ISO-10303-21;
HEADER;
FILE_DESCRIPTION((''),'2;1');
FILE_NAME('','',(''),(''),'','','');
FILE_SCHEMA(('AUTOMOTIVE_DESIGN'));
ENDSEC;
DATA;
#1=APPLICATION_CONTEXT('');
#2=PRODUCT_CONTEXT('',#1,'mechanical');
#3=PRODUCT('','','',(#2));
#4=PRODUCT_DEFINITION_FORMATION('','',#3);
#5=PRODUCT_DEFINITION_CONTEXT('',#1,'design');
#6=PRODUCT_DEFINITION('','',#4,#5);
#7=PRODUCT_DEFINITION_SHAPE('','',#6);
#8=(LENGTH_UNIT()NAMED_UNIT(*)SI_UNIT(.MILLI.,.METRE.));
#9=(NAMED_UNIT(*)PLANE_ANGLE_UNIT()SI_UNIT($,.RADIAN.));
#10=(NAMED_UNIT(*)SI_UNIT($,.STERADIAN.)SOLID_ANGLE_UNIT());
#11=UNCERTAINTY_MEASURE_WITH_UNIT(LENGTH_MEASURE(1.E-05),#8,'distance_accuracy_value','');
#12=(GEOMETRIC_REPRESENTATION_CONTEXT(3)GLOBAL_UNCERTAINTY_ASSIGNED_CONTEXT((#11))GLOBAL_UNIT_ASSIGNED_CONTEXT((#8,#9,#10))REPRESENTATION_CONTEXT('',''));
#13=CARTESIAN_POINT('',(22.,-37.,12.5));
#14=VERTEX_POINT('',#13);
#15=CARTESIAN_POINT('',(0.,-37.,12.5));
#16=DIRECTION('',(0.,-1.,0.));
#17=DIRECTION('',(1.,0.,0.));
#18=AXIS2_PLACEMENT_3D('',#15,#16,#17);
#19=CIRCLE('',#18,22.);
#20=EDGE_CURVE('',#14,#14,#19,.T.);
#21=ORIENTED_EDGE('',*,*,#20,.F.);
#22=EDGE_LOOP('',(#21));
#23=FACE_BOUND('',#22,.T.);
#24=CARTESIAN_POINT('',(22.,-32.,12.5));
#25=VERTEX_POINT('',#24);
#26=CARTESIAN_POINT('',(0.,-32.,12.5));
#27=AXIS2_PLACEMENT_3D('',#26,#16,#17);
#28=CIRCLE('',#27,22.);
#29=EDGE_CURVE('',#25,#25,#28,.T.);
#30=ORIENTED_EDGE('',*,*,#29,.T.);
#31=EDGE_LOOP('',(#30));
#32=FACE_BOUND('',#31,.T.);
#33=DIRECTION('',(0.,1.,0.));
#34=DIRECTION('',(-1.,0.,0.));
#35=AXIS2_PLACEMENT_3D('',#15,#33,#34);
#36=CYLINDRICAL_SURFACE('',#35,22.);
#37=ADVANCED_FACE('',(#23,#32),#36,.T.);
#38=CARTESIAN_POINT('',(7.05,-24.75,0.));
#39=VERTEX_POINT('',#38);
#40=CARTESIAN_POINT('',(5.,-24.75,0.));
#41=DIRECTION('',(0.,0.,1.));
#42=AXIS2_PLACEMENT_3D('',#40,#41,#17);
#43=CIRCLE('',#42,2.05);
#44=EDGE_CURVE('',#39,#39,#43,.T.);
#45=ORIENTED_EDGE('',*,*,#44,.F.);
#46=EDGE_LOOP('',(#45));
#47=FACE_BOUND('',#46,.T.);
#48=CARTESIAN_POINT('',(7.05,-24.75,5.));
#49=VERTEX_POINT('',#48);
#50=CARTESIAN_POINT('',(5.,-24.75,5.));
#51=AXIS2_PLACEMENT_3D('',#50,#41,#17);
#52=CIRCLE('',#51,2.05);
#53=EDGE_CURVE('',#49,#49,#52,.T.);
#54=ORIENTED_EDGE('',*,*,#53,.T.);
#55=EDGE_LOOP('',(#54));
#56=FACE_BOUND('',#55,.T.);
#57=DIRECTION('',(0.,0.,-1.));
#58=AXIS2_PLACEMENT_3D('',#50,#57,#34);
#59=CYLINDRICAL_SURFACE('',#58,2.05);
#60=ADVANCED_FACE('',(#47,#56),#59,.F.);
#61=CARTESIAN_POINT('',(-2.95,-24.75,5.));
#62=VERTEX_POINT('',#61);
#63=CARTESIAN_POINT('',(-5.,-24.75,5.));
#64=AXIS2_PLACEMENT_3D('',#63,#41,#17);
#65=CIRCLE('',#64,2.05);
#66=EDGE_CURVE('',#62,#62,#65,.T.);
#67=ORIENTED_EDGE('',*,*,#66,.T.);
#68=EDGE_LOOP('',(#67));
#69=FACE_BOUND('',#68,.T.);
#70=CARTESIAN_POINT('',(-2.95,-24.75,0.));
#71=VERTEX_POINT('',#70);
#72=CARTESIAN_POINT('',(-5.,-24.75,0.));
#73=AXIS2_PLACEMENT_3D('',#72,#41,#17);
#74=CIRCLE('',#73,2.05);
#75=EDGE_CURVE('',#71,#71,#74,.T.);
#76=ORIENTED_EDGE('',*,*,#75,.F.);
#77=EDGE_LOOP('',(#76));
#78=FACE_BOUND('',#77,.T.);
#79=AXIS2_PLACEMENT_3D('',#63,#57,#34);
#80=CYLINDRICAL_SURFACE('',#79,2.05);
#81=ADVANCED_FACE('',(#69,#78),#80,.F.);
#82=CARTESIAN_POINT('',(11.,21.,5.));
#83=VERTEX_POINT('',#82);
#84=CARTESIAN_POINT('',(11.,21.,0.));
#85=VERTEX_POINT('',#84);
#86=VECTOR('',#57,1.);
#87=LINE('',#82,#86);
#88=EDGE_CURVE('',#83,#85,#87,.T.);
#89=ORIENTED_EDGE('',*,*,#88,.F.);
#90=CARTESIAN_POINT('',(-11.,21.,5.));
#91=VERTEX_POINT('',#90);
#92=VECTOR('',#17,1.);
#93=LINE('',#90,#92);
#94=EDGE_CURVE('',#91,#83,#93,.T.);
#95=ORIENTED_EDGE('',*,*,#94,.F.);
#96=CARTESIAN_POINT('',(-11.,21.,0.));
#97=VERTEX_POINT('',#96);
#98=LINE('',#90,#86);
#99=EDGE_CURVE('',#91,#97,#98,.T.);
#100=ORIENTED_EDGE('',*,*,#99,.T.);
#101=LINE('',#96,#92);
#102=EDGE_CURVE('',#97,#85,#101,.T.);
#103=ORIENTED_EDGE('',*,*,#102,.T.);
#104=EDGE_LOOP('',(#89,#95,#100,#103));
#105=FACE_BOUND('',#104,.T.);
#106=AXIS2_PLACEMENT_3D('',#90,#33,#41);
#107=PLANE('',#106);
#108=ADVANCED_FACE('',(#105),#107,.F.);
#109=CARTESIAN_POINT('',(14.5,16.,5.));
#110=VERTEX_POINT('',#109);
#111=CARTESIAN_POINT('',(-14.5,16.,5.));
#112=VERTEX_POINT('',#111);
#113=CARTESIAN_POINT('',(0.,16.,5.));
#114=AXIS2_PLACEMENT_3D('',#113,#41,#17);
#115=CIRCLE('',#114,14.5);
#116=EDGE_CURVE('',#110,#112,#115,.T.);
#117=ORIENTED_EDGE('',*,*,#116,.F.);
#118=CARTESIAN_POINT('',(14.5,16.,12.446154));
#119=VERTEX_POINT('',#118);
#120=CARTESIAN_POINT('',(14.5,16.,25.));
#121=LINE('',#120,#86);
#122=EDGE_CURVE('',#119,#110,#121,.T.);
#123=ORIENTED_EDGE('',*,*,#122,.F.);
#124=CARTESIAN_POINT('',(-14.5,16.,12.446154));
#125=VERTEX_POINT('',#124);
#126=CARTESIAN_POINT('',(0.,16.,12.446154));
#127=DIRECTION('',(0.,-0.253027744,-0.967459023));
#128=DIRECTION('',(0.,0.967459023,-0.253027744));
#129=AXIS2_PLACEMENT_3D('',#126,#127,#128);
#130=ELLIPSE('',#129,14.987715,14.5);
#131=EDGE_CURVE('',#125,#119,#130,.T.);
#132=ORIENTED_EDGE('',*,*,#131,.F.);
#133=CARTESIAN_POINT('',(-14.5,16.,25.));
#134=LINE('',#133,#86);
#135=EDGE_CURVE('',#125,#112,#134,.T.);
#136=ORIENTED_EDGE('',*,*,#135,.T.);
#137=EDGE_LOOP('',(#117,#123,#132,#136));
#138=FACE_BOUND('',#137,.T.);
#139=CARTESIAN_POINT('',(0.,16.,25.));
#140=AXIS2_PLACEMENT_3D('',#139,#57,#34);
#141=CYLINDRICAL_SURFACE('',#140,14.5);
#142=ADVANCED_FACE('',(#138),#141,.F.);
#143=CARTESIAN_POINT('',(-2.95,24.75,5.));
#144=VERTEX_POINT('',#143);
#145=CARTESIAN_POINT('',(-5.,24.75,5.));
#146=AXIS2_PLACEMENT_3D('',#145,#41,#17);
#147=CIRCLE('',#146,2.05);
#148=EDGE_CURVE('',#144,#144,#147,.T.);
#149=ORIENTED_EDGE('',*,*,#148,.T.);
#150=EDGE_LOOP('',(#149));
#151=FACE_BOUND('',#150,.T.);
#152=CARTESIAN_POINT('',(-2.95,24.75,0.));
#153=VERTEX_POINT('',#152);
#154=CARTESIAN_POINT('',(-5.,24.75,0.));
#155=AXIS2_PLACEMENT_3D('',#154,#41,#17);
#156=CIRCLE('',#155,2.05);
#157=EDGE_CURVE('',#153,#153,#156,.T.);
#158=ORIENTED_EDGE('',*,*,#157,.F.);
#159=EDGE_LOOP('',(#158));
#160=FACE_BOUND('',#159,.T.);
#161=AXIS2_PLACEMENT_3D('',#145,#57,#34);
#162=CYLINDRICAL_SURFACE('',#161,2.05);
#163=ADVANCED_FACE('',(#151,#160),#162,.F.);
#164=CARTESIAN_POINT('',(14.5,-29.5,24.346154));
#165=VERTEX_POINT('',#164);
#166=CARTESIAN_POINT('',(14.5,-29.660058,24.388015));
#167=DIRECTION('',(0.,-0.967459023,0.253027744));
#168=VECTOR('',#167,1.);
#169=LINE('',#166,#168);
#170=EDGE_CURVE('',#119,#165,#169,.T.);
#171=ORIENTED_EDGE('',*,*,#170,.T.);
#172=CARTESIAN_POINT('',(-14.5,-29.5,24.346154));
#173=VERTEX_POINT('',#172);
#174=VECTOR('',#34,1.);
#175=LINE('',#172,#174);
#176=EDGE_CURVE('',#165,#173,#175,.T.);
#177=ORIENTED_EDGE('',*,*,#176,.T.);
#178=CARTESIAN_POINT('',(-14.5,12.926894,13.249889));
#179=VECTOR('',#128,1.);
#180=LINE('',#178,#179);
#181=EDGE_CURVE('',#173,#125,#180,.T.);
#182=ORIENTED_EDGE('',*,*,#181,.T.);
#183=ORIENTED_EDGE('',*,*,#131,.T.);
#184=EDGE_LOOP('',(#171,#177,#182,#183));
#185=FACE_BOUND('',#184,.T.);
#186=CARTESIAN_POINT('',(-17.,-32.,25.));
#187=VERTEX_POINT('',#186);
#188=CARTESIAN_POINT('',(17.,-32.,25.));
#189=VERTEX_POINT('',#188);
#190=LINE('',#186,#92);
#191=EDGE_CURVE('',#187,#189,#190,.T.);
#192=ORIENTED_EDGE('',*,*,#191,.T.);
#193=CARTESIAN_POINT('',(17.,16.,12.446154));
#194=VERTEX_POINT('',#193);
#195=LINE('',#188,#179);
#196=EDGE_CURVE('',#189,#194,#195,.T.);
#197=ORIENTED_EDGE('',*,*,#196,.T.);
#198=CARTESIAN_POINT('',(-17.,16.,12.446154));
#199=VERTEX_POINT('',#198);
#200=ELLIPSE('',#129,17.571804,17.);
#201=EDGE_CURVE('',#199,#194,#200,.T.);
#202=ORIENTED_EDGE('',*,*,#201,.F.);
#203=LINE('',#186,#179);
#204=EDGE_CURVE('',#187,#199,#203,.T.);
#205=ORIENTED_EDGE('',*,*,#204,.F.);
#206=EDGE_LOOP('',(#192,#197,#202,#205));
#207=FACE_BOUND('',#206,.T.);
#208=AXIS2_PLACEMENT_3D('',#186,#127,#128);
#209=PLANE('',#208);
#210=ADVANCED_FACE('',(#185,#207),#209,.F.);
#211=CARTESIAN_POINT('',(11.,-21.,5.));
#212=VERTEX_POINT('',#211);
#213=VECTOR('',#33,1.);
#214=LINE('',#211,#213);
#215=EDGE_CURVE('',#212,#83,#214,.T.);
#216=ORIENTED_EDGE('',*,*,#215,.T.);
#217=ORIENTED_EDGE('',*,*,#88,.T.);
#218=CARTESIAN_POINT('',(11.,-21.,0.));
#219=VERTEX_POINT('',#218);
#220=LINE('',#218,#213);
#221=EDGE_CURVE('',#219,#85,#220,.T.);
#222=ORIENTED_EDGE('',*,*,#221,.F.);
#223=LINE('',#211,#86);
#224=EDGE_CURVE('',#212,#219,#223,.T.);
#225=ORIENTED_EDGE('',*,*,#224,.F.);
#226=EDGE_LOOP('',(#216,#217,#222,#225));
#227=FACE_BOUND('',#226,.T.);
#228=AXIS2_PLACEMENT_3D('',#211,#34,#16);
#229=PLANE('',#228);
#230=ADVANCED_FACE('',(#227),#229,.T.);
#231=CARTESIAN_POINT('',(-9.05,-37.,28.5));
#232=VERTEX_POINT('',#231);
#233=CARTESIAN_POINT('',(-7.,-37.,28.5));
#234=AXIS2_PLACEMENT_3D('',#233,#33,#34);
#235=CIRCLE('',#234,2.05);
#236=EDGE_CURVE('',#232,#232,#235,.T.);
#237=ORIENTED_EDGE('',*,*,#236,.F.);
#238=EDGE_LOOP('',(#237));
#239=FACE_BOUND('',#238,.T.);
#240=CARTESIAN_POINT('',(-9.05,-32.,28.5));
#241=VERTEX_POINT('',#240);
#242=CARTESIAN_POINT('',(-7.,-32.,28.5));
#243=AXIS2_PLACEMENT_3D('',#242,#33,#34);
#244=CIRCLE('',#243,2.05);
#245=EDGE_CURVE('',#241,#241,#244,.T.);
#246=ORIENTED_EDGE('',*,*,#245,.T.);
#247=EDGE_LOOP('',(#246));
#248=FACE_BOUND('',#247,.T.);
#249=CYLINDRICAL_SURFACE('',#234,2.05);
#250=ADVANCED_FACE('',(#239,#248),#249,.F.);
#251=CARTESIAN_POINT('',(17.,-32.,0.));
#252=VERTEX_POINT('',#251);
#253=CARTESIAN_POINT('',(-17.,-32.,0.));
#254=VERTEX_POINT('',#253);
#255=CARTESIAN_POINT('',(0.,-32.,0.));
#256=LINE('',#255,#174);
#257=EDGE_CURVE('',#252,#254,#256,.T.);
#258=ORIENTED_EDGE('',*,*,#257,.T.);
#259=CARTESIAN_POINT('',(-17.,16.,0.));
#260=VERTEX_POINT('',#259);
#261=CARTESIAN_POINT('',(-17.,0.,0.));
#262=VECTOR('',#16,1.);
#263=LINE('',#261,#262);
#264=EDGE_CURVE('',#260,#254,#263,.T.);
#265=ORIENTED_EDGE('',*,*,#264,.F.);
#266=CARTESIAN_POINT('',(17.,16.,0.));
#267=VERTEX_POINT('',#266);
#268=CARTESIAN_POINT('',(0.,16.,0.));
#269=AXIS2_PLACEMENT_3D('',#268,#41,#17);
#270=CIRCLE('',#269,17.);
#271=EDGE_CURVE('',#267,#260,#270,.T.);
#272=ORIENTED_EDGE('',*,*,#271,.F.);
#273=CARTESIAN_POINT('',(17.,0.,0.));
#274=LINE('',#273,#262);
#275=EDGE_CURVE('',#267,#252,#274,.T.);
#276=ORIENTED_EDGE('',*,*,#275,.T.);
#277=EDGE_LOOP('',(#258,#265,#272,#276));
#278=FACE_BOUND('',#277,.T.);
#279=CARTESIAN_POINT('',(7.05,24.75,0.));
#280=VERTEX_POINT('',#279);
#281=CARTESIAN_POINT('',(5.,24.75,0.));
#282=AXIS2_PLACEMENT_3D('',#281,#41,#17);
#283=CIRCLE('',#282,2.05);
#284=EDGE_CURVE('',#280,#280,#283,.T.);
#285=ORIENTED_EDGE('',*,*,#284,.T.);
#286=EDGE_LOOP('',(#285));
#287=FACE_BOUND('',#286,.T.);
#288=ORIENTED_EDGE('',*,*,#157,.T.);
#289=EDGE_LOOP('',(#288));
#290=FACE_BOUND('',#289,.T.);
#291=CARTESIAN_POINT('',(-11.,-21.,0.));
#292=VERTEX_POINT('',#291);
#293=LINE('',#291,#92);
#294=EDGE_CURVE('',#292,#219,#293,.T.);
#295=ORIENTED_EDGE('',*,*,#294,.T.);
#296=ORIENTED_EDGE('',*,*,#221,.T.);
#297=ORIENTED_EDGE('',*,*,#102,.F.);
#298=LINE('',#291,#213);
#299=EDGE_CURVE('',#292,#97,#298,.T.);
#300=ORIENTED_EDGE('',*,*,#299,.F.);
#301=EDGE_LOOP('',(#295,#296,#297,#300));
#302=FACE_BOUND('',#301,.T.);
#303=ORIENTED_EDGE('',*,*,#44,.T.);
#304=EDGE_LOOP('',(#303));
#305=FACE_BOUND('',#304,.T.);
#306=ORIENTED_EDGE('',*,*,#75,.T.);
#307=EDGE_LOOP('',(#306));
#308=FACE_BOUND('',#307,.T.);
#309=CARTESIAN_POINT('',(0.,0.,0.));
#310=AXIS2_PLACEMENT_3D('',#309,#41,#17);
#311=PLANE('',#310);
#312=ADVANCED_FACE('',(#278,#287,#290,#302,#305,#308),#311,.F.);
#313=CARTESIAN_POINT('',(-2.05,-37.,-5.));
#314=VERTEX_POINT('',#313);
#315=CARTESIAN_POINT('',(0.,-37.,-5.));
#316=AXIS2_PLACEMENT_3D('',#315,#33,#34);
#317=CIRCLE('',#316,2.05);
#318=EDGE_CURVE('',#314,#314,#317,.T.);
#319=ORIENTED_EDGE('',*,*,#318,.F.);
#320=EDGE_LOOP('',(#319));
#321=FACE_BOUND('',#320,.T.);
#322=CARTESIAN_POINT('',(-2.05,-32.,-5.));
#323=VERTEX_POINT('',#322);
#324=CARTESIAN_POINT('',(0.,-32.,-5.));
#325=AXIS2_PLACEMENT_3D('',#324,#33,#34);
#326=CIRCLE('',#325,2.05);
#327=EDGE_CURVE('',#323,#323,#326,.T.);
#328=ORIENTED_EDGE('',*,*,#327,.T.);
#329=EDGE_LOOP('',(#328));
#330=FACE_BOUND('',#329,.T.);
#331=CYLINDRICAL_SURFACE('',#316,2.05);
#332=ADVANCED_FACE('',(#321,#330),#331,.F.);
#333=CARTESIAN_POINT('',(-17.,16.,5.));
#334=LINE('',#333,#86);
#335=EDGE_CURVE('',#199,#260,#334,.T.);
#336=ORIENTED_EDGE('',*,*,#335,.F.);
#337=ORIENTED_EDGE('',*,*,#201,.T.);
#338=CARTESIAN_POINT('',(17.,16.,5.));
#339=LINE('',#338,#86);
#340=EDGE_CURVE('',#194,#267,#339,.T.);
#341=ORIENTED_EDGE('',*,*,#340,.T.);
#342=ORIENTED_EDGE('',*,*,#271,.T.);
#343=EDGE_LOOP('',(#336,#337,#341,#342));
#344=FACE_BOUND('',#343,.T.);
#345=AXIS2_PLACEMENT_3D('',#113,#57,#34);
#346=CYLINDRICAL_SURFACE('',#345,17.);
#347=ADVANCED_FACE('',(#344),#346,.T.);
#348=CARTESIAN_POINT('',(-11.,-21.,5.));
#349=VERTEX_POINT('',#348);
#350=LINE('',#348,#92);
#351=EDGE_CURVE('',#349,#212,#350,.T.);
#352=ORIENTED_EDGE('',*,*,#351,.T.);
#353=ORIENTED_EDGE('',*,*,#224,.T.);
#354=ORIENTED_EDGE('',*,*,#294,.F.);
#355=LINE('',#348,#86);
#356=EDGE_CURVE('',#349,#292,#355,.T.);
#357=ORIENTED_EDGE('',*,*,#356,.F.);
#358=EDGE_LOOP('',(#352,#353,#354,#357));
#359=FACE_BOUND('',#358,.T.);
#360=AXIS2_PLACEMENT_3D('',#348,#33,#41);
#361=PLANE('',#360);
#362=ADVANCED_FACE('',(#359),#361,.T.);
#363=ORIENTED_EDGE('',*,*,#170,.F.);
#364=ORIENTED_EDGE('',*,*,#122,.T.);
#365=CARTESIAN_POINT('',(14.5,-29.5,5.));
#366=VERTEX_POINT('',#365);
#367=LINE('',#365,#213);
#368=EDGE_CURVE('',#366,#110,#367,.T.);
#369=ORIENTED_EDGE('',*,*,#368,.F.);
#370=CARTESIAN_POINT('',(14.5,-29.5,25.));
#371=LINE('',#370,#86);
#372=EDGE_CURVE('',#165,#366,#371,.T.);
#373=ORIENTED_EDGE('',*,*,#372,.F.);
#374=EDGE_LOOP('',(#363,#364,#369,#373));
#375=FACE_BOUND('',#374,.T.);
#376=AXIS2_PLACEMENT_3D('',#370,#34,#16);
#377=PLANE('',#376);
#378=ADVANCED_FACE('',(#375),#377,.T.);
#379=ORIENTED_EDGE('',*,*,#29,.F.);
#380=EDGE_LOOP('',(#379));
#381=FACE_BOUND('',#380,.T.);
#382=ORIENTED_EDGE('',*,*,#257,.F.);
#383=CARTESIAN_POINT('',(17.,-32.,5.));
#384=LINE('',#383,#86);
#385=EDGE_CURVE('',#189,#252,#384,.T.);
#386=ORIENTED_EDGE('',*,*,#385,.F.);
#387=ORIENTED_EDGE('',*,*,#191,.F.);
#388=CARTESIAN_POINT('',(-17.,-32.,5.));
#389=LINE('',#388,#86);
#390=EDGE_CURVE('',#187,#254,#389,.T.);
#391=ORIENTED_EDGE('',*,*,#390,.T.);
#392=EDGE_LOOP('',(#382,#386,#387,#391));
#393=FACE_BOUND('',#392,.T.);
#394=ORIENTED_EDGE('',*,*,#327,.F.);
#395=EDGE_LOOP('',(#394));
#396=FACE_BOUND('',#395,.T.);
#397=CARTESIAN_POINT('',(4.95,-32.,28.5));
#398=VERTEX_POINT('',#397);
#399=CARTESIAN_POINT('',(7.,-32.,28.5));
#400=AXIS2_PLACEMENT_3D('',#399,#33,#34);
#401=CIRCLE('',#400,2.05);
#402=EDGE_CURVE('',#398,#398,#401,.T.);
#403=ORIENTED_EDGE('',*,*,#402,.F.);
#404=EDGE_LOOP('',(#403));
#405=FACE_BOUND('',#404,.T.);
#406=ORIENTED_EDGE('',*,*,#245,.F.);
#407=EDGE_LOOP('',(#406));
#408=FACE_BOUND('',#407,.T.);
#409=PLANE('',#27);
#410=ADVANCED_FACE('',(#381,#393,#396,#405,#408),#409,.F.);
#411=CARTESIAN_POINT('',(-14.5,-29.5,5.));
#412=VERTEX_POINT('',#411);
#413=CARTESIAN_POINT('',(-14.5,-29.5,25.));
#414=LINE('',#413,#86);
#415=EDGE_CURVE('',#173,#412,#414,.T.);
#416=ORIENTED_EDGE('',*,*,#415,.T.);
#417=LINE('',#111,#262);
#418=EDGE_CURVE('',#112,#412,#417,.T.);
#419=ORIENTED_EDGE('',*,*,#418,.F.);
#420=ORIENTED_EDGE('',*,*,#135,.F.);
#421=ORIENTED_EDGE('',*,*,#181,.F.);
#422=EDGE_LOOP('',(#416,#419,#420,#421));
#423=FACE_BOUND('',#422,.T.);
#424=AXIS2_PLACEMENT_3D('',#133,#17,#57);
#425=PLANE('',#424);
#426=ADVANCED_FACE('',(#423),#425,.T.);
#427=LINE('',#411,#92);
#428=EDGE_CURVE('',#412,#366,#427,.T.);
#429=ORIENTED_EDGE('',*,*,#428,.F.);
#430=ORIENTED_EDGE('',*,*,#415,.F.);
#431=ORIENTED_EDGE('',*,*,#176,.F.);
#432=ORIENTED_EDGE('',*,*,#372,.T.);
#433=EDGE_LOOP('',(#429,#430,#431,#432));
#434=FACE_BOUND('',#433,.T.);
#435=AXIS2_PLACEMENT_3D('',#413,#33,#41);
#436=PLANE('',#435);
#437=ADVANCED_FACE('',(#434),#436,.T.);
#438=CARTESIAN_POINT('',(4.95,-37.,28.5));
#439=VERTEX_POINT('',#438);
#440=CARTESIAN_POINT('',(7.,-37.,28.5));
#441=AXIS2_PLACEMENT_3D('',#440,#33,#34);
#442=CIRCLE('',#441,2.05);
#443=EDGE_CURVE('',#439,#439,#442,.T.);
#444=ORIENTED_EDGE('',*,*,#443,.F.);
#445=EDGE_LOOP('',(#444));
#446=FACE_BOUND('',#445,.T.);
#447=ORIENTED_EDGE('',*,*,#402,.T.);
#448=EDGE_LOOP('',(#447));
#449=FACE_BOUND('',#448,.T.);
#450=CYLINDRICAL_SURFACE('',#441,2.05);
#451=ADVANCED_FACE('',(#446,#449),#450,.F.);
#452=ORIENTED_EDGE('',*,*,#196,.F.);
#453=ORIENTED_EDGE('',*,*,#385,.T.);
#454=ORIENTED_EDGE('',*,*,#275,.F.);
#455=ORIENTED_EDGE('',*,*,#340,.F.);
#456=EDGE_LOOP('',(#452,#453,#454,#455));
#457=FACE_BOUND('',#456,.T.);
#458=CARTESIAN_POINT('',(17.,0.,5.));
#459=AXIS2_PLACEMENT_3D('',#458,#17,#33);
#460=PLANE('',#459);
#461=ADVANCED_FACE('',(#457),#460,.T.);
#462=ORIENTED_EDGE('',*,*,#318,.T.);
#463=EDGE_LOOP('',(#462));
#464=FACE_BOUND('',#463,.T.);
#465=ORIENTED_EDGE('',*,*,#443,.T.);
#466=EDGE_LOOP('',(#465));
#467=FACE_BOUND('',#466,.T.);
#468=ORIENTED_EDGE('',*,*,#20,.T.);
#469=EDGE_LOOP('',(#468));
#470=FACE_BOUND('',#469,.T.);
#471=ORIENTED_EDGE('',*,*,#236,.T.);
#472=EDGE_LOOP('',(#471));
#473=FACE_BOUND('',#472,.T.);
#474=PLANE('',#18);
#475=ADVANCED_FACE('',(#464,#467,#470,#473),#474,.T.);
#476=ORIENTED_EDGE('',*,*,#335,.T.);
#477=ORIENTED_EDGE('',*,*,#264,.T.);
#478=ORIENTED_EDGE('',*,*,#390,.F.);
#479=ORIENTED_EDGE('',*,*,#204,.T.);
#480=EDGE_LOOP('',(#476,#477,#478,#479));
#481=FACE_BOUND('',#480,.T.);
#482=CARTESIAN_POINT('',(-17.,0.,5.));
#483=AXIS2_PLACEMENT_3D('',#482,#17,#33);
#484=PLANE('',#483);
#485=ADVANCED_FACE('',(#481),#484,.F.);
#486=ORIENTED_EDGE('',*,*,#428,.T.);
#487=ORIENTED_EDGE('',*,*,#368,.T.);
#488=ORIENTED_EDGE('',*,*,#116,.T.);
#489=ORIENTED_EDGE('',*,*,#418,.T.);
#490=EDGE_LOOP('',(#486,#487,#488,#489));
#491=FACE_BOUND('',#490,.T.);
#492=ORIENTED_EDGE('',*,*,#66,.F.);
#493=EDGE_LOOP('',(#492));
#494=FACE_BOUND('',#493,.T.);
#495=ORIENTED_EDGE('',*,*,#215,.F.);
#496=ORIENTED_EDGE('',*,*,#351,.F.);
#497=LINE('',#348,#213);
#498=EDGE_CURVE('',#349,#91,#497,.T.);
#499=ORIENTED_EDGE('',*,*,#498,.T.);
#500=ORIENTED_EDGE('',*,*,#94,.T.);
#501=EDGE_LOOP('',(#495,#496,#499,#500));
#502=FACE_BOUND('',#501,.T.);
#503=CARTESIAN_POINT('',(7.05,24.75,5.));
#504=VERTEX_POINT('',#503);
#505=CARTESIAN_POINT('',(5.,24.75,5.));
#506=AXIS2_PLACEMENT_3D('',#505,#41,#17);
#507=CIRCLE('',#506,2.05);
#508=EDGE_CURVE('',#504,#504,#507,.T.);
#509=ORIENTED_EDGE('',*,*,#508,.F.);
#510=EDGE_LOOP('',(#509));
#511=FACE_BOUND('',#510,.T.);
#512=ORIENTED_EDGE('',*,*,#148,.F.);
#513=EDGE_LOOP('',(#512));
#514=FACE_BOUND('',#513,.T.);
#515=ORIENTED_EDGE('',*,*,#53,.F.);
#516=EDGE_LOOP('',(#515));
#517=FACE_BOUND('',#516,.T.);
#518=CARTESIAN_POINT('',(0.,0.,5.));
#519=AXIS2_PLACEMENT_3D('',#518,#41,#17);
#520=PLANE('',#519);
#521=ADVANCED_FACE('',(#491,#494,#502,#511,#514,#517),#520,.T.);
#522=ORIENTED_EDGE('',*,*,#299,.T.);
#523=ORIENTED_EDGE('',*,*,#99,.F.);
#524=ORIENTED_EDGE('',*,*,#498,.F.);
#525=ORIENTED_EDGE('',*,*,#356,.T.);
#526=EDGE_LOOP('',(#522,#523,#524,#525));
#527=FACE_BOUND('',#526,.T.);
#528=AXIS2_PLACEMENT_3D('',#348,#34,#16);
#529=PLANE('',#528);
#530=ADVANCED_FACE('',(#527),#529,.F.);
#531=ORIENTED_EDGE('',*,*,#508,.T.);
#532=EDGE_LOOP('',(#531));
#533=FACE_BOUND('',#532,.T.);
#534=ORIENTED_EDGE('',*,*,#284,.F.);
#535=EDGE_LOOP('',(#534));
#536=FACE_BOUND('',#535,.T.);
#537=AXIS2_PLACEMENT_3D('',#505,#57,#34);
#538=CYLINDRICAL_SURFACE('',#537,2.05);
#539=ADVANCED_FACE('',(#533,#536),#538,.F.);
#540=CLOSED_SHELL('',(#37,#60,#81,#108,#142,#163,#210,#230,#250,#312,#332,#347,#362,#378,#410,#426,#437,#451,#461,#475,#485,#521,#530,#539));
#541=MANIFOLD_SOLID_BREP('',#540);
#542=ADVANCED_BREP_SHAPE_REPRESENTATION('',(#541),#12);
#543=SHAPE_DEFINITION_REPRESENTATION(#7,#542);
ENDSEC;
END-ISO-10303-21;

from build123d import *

# Parameters (mm, degrees)
SKETCH1_W           = 22
SKETCH1_H           = 42
SKETCH1_R           = 2.05
BOSS_EXTRUDE1_DEPTH = 5
BOSS_EXTRUDE2_DEPTH = 20
CUT_EXTRUDE1_DEPTH  = 35
SKETCH4_R           = 22
BOSS_EXTRUDE3_DEPTH = 5
SKETCH5_R           = 2.05
CUT_EXTRUDE2_DEPTH  = 5


with BuildPart() as part:
    # Sketch1 → Boss-Extrude1 (new body)
    with BuildSketch(Plane.XY):
        with BuildLine():
            Line((17, -32), (17, 16))
            ThreePointArc((17, 16), (0, 33), (-17, 16))
            Line((-17, 16), (-17, -32))
            Line((-17, -32), (17, -32))
        make_face()
        Rectangle(SKETCH1_W, SKETCH1_H, mode=Mode.SUBTRACT)
        with Locations((-5, -24.75)):
            Circle(SKETCH1_R, mode=Mode.SUBTRACT)
        with Locations((5, -24.75)):
            Circle(SKETCH1_R, mode=Mode.SUBTRACT)
        with Locations((-5, 24.75)):
            Circle(SKETCH1_R, mode=Mode.SUBTRACT)
        with Locations((5, 24.75)):
            Circle(SKETCH1_R, mode=Mode.SUBTRACT)
    extrude(amount=BOSS_EXTRUDE1_DEPTH)

    # Sketch2 → Boss-Extrude2 (add)
    with BuildSketch(Plane.XY.offset(5)):
        with BuildLine():
            Line((17, -32), (17, 16))
            ThreePointArc((17, 16), (0, 33), (-17, 16))
            Line((-17, 16), (-17, -32))
            Line((-17, -32), (17, -32))
        make_face()
        with BuildLine():
            Line((-14.5, 16), (-14.5, -29.5))
            Line((-14.5, -29.5), (14.5, -29.5))
            Line((14.5, -29.5), (14.5, 16))
            ThreePointArc((14.5, 16), (0, 30.5), (-14.5, 16))
        make_face(mode=Mode.SUBTRACT)
    extrude(amount=BOSS_EXTRUDE2_DEPTH)

    # Sketch3 → Cut-Extrude1 (cut, through all)
    with BuildSketch(Plane(origin=(17, 0, 0), x_dir=(0, 0, -1), z_dir=(1, 0, 0))):
        Polygon((-25, -32), (-8, 33), (-25, 33), align=None)
    extrude(amount=-CUT_EXTRUDE1_DEPTH, mode=Mode.SUBTRACT)

    # Sketch4 → Boss-Extrude3 (add)
    with BuildSketch(Plane.XZ.offset(32)):
        with Locations((0, 12.5)):
            Circle(SKETCH4_R)
    extrude(amount=BOSS_EXTRUDE3_DEPTH)

    # Sketch5 → Cut-Extrude2 (cut)
    with BuildSketch(Plane(origin=(0, -32, 0), x_dir=(1, 0, 0), z_dir=(0, 1, 0))):
        with Locations((0, 5)):
            Circle(SKETCH5_R)
        with Locations((-7, -28.5)):
            Circle(SKETCH5_R)
        with Locations((7, -28.5)):
            Circle(SKETCH5_R)
    extrude(amount=-CUT_EXTRUDE2_DEPTH, mode=Mode.SUBTRACT)


solid = part.part
